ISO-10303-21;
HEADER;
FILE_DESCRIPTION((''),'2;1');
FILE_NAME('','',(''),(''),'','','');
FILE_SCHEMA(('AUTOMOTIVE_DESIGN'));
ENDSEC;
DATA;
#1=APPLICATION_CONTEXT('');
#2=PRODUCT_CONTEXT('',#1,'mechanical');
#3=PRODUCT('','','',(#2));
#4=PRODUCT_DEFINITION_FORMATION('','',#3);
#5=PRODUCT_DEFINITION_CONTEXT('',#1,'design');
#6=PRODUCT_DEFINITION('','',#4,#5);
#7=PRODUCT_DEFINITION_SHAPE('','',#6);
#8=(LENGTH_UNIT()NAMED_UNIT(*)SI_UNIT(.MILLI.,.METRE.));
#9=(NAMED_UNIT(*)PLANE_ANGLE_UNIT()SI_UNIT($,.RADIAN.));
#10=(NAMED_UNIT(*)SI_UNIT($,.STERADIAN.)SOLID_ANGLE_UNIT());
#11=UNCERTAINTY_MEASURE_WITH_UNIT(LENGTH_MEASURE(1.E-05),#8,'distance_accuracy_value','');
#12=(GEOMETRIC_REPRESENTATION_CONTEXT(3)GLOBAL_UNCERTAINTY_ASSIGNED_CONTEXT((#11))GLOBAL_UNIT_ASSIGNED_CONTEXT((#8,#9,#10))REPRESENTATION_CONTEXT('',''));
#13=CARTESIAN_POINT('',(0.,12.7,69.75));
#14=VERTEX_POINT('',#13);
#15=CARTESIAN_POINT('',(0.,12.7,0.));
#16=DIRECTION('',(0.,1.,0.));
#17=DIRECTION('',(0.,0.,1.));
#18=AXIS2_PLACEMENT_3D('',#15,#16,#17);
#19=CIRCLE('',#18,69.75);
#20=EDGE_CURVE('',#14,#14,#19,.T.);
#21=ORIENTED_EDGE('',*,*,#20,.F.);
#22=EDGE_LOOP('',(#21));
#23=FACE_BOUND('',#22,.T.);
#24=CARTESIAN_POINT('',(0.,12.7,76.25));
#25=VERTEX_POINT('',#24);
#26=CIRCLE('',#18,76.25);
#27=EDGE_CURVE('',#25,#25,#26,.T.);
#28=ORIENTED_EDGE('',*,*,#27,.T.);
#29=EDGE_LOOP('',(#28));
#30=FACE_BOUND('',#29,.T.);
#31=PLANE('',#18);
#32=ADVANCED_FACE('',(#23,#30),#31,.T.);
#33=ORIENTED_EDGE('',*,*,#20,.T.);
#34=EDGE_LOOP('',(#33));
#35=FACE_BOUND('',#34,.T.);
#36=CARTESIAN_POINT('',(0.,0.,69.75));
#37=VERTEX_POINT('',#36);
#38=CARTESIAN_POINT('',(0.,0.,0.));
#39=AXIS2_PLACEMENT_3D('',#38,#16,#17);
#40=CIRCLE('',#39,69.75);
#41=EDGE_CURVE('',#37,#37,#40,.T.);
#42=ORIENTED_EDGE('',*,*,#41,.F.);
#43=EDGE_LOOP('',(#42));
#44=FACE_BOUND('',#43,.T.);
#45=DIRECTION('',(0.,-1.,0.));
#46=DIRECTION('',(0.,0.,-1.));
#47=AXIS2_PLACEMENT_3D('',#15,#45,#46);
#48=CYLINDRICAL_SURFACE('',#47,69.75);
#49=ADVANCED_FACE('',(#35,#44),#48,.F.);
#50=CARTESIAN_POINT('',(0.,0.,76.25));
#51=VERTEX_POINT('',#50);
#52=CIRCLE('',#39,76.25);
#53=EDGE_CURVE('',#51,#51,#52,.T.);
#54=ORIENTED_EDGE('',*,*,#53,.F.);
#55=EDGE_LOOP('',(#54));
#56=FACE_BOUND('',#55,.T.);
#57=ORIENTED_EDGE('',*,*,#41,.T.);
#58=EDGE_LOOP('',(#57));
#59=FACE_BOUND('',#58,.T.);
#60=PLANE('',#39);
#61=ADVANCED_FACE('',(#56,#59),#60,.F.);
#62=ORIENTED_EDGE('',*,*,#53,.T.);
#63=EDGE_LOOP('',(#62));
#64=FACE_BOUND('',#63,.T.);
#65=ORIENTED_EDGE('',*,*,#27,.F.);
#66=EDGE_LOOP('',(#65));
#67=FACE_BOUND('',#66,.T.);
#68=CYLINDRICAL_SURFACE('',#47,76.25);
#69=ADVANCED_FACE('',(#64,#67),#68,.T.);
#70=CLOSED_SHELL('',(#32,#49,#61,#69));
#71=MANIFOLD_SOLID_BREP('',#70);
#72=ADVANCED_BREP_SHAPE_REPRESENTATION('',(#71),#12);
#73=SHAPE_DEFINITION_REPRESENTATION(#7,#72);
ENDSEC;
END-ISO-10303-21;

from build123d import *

# Parameters (mm, degrees)
SKETCH1_R           = 76.25
SKETCH1_R_2         = 69.75
BOSS_EXTRUDE1_DEPTH = 12.7


with BuildPart() as part:
    # Sketch1 → Boss-Extrude1 (new body)
    with BuildSketch(Plane(origin=(0, 0, 0), x_dir=(1, 0, 0), z_dir=(0, 1, 0))):
        Circle(SKETCH1_R)
        Circle(SKETCH1_R_2, mode=Mode.SUBTRACT)
    extrude(amount=BOSS_EXTRUDE1_DEPTH)


solid = part.part
